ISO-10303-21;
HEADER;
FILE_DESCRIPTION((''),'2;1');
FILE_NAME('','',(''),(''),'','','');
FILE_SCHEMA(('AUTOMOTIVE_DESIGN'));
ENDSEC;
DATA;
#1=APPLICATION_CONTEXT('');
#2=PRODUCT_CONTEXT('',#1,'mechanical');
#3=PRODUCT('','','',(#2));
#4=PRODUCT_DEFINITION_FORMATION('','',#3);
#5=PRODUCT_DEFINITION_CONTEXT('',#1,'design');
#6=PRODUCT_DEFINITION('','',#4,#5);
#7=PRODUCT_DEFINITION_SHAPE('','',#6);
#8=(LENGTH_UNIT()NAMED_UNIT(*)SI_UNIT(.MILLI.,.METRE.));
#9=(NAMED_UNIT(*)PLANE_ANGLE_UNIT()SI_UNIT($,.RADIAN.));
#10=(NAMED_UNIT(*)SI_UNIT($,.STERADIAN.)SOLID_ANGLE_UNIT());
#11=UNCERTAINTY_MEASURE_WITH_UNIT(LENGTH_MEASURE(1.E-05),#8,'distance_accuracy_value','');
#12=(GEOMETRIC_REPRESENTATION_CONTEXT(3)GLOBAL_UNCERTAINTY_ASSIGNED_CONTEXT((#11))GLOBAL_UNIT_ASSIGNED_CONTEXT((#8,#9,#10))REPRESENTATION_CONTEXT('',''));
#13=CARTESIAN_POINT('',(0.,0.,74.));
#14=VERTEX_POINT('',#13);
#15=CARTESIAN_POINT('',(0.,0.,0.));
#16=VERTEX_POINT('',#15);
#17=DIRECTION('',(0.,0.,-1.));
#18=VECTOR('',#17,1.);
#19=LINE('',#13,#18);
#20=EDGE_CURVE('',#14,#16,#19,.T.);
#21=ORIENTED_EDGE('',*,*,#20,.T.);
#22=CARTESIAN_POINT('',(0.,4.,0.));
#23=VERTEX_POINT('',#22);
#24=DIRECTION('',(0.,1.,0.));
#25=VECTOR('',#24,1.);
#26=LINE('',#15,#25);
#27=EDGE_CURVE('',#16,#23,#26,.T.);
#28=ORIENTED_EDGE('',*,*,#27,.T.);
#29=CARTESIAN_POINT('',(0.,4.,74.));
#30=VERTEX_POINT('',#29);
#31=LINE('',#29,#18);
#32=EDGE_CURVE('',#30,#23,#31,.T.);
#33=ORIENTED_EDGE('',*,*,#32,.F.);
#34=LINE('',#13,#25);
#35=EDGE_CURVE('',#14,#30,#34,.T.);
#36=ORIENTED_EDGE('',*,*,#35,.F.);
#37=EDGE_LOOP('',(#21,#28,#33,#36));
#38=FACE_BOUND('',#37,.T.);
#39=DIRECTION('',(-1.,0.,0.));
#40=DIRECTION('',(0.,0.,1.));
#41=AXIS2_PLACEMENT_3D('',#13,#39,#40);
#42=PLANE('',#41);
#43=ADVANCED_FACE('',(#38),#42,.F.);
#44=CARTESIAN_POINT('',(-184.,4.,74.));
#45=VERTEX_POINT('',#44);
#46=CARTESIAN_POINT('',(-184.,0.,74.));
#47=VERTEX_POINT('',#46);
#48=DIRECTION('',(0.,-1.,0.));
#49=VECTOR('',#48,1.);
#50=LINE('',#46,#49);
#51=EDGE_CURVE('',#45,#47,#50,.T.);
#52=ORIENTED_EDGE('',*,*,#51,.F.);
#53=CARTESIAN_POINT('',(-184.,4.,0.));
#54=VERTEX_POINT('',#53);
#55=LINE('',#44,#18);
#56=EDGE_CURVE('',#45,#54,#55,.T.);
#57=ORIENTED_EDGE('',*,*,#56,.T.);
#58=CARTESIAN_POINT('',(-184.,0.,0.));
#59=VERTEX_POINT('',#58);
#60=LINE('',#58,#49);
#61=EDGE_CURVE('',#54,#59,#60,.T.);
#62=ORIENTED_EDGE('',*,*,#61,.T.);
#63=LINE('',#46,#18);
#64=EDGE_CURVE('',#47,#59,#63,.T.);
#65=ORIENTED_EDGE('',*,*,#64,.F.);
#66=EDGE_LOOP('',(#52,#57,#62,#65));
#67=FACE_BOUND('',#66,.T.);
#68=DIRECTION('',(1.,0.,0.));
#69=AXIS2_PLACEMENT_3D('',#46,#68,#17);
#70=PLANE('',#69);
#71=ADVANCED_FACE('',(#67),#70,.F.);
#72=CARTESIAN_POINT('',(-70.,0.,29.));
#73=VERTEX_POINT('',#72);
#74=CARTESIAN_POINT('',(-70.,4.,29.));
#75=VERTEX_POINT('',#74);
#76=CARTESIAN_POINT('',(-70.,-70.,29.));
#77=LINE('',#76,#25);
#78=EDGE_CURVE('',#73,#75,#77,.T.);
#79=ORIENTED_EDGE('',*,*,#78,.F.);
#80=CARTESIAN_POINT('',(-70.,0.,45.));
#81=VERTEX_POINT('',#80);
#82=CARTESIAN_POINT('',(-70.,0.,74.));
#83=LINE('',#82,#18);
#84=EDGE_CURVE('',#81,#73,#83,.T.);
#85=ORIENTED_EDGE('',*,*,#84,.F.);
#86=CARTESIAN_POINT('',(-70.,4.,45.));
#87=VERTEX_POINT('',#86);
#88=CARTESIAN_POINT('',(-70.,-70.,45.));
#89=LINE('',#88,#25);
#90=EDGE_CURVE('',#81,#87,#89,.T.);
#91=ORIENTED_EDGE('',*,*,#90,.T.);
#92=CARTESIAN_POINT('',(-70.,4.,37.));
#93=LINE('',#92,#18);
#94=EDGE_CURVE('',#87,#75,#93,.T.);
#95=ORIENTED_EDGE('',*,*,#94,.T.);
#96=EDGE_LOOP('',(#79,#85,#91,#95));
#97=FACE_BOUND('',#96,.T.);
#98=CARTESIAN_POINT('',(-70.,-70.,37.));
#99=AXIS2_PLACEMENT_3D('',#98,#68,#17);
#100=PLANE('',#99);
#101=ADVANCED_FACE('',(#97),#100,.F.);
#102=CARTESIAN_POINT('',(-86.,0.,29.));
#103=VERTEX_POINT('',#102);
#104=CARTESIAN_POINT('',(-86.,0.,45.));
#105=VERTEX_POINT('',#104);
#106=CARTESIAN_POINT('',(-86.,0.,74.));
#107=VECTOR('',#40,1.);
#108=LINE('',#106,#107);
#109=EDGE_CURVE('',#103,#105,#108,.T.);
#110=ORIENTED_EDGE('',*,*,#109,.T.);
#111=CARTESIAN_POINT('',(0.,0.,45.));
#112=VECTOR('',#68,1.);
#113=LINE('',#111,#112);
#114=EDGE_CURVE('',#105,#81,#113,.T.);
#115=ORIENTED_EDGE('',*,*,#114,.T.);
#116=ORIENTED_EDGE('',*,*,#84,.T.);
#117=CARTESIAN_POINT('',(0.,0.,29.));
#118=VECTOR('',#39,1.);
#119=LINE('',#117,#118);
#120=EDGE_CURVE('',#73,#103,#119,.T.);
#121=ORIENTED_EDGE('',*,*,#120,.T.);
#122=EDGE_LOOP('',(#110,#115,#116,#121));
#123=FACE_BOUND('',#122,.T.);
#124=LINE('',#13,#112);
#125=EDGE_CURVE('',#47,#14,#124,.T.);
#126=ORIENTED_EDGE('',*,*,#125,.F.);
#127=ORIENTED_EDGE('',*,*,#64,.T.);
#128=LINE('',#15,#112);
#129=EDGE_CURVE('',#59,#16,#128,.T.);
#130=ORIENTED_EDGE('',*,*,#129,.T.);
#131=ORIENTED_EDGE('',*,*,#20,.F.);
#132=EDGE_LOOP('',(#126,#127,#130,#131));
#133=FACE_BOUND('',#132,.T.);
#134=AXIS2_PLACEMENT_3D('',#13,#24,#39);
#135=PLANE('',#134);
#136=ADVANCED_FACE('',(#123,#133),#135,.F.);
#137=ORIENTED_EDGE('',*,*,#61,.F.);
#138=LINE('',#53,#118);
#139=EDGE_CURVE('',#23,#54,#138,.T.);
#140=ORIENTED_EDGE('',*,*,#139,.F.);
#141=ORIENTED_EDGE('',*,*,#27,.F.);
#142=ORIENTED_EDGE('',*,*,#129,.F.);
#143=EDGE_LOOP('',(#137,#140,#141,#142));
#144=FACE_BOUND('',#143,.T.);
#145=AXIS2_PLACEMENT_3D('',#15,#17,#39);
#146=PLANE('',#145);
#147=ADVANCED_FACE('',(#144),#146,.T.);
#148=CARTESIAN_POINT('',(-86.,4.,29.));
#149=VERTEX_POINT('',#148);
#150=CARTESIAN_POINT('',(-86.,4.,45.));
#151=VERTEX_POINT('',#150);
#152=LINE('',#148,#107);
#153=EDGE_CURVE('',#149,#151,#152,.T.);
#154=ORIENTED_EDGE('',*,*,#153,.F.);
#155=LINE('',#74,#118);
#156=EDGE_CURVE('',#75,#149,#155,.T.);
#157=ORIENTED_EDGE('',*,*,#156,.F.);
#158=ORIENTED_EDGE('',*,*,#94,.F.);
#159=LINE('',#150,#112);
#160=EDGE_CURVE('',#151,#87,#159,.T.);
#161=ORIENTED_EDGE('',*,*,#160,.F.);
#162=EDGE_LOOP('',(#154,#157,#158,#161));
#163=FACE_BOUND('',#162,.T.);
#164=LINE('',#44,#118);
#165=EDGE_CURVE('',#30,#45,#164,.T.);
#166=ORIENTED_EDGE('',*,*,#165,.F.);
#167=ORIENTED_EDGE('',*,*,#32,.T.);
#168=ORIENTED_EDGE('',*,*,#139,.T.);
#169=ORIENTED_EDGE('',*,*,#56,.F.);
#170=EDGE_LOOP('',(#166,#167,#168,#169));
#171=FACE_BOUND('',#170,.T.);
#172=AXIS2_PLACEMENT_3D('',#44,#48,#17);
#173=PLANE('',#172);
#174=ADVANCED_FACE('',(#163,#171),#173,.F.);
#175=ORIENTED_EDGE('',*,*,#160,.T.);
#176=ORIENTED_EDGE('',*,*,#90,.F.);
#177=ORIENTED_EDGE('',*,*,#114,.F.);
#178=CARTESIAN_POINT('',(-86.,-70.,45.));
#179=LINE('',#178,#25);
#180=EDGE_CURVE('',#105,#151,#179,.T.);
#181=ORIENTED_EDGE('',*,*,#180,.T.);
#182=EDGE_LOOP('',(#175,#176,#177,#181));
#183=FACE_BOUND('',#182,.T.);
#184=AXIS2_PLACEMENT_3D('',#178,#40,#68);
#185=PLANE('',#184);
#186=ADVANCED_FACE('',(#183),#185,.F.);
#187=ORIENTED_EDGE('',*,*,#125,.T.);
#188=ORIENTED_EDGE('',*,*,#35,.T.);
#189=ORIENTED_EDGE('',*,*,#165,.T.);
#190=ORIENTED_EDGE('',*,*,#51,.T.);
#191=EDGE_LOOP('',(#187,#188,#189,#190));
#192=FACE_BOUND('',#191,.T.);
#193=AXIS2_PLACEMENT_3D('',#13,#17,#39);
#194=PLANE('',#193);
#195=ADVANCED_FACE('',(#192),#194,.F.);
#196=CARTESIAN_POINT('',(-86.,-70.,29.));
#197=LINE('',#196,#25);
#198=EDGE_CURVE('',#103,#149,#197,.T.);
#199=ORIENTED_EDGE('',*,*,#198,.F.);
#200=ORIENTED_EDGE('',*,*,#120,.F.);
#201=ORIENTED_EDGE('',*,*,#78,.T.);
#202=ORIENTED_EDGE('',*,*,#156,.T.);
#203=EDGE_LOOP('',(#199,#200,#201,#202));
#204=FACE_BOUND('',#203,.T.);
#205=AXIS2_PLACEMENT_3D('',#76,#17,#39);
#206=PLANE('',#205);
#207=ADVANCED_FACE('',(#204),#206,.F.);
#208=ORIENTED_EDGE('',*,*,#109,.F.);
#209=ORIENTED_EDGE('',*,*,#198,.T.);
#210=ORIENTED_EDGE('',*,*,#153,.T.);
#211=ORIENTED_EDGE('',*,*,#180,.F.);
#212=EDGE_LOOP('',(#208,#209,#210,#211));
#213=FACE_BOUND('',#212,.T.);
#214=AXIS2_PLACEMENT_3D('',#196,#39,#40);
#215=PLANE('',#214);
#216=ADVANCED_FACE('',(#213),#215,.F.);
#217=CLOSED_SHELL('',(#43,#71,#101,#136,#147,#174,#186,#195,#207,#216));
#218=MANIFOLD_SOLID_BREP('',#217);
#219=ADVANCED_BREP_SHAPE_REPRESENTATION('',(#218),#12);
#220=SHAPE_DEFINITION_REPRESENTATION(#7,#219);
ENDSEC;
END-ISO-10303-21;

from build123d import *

# Parameters (mm, degrees)
SKETCH1_W           = 184
SKETCH1_H           = 4
BOSS_EXTRUDE1_DEPTH = 74
CUT_EXTRUDE1_DEPTH  = 74


with BuildPart() as part:
    # Sketch1 → Boss-Extrude1 (new body)
    with BuildSketch(Plane.XY):
        with Locations((-92, 2)):
            Rectangle(SKETCH1_W, SKETCH1_H)
    extrude(amount=BOSS_EXTRUDE1_DEPTH)

    # Sketch2 → Cut-Extrude1 (cut)
    with BuildSketch(Plane(origin=(0, 4, 0), x_dir=(1, 0, 0), z_dir=(0, 1, 0))):
        Polygon((-70, -37), (-70, -29), (-86, -29), (-86, -45), (-70, -45), align=None)
    extrude(amount=-CUT_EXTRUDE1_DEPTH, mode=Mode.SUBTRACT)


solid = part.part
